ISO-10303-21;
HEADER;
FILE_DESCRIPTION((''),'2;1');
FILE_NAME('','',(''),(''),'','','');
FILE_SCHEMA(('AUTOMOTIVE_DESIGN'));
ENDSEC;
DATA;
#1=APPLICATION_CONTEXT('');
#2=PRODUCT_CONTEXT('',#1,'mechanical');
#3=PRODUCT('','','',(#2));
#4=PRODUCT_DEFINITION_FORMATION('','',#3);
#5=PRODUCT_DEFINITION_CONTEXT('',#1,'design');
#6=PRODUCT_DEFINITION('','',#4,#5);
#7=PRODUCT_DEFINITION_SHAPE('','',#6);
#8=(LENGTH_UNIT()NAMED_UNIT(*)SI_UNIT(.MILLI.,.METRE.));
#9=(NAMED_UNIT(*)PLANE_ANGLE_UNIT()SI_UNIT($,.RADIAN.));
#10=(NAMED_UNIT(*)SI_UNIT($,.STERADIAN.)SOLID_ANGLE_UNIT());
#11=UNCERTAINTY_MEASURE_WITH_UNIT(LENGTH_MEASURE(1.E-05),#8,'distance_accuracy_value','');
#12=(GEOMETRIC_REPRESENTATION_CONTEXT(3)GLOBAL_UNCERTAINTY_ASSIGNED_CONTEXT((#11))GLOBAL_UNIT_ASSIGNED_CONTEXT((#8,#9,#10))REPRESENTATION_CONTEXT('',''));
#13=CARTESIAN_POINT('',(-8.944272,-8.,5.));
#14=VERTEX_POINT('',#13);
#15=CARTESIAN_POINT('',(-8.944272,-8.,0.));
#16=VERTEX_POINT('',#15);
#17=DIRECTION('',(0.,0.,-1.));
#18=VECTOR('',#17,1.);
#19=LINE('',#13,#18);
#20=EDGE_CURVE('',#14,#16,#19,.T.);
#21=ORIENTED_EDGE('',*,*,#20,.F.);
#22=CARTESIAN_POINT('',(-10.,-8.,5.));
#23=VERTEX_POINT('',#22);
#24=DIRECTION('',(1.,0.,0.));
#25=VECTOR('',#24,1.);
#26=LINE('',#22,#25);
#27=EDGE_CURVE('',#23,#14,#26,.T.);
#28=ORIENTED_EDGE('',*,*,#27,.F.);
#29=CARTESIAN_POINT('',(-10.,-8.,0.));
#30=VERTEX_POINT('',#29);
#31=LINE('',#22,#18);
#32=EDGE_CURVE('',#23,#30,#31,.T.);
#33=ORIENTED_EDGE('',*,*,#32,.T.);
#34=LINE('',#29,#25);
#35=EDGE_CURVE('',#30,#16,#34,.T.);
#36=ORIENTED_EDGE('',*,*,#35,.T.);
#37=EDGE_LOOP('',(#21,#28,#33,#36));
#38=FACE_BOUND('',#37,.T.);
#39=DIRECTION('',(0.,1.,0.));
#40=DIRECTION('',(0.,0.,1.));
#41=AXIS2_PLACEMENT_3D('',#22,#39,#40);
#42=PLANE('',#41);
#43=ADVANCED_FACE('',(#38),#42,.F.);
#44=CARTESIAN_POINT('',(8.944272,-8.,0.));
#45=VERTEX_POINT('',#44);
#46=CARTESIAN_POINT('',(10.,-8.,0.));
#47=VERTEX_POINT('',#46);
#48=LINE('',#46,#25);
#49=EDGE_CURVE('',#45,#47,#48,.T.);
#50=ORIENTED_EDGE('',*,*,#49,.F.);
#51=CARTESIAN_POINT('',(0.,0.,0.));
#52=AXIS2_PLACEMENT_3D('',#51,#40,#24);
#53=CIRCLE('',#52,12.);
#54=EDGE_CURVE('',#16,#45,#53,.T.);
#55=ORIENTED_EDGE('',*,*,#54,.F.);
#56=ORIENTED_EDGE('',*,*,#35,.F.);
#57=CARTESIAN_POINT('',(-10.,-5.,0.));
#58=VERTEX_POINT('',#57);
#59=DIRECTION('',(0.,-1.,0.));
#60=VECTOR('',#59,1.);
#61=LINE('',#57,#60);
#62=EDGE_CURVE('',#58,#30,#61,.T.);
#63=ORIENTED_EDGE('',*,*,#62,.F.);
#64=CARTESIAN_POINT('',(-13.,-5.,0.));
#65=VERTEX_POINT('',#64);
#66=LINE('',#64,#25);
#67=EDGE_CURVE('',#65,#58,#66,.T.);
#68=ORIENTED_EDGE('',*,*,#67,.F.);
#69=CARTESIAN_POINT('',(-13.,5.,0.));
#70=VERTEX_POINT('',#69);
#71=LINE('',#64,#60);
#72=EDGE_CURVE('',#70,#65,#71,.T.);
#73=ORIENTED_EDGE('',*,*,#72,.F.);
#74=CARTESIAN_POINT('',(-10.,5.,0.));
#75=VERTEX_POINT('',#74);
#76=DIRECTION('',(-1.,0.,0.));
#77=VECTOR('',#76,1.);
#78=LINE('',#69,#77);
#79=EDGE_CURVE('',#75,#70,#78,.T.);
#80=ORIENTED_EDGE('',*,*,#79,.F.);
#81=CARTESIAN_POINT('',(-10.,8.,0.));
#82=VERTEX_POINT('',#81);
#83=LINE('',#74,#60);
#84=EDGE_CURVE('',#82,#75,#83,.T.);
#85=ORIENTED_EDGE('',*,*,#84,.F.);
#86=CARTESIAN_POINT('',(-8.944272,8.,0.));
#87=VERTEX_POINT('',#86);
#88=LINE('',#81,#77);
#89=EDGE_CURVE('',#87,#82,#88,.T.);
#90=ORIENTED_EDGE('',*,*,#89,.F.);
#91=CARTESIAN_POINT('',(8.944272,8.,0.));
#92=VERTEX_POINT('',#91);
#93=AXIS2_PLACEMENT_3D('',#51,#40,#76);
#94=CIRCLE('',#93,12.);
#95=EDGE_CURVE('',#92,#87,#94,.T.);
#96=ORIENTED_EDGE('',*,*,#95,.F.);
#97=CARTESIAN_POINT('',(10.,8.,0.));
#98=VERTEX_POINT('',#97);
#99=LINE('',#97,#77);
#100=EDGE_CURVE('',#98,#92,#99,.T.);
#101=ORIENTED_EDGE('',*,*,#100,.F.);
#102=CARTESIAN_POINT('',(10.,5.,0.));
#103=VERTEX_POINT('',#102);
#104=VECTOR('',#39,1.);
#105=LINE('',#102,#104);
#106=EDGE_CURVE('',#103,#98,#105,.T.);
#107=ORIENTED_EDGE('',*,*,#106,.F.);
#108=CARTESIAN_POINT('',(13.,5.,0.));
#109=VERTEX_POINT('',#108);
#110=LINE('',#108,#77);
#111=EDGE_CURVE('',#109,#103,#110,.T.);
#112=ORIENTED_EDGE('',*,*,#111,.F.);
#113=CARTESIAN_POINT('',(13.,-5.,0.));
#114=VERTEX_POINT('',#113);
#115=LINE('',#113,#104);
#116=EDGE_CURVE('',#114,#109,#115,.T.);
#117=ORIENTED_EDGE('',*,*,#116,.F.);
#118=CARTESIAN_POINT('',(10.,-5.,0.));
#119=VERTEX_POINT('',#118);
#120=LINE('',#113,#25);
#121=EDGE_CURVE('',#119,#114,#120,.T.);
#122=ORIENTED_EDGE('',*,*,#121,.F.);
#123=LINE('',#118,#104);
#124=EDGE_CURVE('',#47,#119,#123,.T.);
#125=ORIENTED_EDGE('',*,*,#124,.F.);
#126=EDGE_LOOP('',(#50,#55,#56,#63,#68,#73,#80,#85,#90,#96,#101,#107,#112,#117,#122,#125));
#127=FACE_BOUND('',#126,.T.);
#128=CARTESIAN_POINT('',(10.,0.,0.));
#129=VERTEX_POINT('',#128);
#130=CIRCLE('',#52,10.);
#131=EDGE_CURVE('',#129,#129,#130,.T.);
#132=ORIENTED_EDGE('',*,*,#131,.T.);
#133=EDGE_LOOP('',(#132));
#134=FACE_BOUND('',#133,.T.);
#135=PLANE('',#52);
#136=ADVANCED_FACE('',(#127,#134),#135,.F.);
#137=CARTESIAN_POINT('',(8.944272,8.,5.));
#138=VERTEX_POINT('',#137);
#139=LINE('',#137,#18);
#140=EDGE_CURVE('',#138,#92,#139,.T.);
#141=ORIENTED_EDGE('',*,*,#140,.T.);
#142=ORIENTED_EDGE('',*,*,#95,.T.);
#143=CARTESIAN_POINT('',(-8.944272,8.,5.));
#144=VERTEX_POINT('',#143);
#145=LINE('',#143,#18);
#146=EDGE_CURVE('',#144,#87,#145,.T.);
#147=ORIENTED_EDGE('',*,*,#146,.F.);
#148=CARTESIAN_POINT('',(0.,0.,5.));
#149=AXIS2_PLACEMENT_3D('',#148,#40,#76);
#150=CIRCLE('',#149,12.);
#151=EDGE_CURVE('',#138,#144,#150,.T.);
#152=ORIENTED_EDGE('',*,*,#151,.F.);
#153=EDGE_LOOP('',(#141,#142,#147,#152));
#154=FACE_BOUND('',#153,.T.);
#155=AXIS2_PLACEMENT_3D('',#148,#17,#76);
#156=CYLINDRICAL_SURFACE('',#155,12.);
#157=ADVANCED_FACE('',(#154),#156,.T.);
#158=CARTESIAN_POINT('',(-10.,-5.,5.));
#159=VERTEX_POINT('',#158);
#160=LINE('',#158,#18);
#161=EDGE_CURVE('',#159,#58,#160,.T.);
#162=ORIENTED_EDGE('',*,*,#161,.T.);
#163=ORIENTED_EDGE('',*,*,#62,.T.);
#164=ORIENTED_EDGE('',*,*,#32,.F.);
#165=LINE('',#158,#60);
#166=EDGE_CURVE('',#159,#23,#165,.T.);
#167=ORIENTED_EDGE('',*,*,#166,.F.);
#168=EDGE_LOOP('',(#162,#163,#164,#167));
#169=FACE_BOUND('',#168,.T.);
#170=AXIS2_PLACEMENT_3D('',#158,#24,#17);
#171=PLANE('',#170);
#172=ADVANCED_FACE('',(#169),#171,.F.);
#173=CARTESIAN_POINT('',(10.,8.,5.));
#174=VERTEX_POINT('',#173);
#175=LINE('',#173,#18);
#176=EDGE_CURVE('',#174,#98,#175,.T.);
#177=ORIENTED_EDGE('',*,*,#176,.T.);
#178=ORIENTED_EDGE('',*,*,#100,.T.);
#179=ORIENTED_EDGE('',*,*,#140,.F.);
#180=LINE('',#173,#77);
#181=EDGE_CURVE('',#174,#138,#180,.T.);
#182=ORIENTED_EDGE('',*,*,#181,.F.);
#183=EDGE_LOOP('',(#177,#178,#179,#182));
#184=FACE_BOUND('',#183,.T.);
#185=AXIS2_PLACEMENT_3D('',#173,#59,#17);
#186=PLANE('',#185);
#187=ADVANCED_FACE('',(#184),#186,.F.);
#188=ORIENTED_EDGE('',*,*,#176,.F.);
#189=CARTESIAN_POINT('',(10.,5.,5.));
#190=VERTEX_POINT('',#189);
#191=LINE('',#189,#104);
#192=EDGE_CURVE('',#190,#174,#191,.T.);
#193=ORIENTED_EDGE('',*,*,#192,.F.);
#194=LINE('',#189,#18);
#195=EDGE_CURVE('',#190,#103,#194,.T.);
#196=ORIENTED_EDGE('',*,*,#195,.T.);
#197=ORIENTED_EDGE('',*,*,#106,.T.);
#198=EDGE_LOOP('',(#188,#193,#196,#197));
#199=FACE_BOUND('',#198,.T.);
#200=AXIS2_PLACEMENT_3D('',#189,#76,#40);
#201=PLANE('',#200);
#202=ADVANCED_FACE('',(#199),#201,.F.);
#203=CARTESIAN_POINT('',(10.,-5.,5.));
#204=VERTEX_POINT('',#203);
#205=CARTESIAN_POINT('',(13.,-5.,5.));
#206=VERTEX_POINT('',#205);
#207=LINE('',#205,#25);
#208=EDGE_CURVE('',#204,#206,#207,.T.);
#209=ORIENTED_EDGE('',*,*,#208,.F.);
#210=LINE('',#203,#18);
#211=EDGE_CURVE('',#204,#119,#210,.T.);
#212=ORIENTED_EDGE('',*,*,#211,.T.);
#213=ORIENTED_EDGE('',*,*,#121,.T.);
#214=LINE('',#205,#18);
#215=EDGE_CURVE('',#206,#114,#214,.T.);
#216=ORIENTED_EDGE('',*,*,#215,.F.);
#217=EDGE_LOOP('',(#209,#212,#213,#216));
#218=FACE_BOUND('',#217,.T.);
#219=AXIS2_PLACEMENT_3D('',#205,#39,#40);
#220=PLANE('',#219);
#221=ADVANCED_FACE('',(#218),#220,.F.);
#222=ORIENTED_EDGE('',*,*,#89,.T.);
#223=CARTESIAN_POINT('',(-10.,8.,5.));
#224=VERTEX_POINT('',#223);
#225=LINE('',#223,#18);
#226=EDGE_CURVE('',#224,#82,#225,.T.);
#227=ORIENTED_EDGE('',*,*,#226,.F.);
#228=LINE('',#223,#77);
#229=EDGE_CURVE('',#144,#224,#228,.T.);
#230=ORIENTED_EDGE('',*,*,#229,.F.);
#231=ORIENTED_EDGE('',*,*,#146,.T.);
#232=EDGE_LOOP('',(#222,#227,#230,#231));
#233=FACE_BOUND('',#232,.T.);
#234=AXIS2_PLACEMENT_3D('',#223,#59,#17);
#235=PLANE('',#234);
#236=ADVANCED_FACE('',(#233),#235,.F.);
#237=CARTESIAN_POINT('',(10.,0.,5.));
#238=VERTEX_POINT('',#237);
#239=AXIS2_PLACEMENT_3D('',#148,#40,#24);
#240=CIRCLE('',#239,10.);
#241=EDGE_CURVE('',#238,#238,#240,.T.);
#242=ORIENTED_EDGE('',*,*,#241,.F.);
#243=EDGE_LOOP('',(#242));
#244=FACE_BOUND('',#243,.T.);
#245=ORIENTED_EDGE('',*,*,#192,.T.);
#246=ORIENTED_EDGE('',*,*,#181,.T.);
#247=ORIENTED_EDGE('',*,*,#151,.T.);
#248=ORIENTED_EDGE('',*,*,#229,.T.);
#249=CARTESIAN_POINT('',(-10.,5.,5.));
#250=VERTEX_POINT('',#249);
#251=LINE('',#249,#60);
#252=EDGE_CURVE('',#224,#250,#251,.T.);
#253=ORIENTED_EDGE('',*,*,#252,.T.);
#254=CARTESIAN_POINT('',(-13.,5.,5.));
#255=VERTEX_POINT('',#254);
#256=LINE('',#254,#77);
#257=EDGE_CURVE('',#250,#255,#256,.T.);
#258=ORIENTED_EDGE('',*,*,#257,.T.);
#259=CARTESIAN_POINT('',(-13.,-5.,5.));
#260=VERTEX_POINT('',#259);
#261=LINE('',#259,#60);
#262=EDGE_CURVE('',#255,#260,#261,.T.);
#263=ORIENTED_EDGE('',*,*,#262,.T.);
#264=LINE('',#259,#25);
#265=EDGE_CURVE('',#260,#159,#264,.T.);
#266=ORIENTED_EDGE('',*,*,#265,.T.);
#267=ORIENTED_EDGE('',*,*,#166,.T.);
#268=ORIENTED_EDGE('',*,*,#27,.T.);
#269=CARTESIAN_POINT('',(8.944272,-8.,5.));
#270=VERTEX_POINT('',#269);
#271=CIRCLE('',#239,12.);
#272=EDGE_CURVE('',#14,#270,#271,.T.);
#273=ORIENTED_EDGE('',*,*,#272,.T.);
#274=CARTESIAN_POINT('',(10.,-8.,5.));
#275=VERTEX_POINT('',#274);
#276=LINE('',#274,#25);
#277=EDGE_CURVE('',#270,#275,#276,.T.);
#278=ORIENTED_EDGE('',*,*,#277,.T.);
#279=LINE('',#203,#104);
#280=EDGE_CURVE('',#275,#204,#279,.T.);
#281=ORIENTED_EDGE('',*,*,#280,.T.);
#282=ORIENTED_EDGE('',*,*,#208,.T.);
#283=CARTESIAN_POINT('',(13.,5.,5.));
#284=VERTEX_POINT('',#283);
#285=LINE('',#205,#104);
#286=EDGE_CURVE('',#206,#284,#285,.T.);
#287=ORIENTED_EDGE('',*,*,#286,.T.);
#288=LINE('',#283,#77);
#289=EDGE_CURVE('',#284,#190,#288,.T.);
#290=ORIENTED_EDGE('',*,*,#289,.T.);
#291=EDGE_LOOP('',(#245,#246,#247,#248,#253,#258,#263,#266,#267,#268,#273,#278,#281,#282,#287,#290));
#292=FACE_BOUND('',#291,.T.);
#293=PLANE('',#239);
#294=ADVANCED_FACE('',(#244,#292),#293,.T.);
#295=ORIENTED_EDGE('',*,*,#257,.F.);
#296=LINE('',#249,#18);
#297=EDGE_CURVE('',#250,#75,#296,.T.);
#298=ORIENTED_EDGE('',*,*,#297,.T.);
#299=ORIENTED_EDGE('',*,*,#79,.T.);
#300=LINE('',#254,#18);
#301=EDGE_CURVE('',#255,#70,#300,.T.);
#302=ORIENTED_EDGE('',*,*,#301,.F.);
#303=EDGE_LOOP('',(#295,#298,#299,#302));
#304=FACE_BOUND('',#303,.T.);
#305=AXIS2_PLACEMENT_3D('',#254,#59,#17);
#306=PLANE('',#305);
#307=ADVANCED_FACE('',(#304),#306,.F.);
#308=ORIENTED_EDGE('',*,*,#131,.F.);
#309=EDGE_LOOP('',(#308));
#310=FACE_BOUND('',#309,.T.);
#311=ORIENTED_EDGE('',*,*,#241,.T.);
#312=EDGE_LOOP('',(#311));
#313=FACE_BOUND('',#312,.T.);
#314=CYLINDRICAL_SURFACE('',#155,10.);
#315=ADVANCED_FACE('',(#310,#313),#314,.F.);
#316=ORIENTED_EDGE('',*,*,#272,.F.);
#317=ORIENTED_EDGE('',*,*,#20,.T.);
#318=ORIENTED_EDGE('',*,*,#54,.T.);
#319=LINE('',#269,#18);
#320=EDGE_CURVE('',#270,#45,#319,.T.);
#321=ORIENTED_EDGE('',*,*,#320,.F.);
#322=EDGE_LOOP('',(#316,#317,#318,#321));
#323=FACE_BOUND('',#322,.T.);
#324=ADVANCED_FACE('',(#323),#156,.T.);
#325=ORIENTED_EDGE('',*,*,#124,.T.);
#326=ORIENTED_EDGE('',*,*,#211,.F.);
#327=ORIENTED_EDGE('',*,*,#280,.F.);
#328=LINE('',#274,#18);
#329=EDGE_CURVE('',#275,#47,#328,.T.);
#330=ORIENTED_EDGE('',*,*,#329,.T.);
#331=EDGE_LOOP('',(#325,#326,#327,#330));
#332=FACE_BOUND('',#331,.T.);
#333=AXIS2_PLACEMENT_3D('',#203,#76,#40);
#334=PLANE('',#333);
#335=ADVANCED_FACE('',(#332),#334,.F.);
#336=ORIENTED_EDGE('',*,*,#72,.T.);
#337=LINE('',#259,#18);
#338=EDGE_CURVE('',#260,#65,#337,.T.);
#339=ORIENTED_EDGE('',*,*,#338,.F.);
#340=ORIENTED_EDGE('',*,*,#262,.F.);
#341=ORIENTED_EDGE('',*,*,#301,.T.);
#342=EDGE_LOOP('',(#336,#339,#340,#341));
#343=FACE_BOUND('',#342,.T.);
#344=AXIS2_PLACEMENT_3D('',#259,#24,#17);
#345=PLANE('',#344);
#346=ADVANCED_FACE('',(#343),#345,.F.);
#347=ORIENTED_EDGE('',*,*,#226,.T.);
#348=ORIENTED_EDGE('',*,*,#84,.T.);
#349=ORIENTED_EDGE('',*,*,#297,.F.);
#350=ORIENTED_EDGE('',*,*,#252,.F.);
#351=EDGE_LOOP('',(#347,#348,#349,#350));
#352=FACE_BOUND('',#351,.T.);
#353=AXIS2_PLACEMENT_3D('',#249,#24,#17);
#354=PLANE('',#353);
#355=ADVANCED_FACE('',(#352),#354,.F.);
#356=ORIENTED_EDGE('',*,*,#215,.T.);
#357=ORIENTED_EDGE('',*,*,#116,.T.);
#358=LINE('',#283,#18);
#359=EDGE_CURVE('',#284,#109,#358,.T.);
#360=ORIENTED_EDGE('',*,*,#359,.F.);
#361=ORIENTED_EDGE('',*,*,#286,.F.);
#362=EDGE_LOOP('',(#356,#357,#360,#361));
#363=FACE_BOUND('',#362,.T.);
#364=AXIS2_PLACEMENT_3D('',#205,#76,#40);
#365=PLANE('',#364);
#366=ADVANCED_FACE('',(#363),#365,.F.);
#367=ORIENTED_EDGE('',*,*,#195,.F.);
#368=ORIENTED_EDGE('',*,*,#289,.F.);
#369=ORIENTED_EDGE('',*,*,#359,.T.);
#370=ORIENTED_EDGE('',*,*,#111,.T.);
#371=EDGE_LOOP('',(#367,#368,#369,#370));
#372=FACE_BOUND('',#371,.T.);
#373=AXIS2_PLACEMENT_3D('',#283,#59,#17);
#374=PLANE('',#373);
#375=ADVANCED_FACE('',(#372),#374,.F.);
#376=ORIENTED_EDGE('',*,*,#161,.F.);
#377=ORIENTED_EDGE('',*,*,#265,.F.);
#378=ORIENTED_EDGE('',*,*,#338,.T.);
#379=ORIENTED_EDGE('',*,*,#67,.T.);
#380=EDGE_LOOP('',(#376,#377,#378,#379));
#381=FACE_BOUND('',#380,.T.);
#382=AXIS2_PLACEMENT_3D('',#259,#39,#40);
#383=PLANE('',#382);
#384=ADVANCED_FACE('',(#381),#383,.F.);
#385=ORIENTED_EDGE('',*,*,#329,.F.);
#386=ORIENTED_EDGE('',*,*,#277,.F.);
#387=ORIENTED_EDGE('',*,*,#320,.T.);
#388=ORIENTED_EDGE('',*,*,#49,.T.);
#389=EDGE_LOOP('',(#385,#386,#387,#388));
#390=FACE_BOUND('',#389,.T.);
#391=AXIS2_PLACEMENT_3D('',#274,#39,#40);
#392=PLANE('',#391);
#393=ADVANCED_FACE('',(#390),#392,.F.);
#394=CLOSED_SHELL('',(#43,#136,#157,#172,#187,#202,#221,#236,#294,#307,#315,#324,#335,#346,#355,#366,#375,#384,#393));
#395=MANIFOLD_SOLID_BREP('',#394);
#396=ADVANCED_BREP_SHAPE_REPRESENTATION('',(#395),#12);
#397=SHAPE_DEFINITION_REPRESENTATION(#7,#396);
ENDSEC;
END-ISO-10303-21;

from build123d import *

# Parameters (mm, degrees)
SKETCH_1_R      = 10
EXTRUDE_1_DEPTH = 5


with BuildPart() as part:
    # 草图1 → 凸台-拉伸1 (new body)
    with BuildSketch(Plane.XY):
        with BuildLine():
            Line((13, -5), (10, -5))
            Line((10, -5), (10, -8))
            Line((10, -8), (8.94427191, -8))
            ThreePointArc((8.94427191, -8), (0, -12), (-8.94427191, -8))
            Line((-8.94427191, -8), (-10, -8))
            Line((-10, -8), (-10, -5))
            Line((-10, -5), (-13, -5))
            Line((-13, -5), (-13, 5))
            Line((-13, 5), (-10, 5))
            Line((-10, 5), (-10, 8))
            Line((-10, 8), (-8.94427191, 8))
            ThreePointArc((-8.94427191, 8), (0, 12), (8.94427191, 8))
            Line((8.94427191, 8), (10, 8))
            Line((10, 8), (10, 5))
            Line((10, 5), (13, 5))
            Line((13, 5), (13, -5))
        make_face()
        Circle(SKETCH_1_R, mode=Mode.SUBTRACT)
    extrude(amount=EXTRUDE_1_DEPTH)


solid = part.part
